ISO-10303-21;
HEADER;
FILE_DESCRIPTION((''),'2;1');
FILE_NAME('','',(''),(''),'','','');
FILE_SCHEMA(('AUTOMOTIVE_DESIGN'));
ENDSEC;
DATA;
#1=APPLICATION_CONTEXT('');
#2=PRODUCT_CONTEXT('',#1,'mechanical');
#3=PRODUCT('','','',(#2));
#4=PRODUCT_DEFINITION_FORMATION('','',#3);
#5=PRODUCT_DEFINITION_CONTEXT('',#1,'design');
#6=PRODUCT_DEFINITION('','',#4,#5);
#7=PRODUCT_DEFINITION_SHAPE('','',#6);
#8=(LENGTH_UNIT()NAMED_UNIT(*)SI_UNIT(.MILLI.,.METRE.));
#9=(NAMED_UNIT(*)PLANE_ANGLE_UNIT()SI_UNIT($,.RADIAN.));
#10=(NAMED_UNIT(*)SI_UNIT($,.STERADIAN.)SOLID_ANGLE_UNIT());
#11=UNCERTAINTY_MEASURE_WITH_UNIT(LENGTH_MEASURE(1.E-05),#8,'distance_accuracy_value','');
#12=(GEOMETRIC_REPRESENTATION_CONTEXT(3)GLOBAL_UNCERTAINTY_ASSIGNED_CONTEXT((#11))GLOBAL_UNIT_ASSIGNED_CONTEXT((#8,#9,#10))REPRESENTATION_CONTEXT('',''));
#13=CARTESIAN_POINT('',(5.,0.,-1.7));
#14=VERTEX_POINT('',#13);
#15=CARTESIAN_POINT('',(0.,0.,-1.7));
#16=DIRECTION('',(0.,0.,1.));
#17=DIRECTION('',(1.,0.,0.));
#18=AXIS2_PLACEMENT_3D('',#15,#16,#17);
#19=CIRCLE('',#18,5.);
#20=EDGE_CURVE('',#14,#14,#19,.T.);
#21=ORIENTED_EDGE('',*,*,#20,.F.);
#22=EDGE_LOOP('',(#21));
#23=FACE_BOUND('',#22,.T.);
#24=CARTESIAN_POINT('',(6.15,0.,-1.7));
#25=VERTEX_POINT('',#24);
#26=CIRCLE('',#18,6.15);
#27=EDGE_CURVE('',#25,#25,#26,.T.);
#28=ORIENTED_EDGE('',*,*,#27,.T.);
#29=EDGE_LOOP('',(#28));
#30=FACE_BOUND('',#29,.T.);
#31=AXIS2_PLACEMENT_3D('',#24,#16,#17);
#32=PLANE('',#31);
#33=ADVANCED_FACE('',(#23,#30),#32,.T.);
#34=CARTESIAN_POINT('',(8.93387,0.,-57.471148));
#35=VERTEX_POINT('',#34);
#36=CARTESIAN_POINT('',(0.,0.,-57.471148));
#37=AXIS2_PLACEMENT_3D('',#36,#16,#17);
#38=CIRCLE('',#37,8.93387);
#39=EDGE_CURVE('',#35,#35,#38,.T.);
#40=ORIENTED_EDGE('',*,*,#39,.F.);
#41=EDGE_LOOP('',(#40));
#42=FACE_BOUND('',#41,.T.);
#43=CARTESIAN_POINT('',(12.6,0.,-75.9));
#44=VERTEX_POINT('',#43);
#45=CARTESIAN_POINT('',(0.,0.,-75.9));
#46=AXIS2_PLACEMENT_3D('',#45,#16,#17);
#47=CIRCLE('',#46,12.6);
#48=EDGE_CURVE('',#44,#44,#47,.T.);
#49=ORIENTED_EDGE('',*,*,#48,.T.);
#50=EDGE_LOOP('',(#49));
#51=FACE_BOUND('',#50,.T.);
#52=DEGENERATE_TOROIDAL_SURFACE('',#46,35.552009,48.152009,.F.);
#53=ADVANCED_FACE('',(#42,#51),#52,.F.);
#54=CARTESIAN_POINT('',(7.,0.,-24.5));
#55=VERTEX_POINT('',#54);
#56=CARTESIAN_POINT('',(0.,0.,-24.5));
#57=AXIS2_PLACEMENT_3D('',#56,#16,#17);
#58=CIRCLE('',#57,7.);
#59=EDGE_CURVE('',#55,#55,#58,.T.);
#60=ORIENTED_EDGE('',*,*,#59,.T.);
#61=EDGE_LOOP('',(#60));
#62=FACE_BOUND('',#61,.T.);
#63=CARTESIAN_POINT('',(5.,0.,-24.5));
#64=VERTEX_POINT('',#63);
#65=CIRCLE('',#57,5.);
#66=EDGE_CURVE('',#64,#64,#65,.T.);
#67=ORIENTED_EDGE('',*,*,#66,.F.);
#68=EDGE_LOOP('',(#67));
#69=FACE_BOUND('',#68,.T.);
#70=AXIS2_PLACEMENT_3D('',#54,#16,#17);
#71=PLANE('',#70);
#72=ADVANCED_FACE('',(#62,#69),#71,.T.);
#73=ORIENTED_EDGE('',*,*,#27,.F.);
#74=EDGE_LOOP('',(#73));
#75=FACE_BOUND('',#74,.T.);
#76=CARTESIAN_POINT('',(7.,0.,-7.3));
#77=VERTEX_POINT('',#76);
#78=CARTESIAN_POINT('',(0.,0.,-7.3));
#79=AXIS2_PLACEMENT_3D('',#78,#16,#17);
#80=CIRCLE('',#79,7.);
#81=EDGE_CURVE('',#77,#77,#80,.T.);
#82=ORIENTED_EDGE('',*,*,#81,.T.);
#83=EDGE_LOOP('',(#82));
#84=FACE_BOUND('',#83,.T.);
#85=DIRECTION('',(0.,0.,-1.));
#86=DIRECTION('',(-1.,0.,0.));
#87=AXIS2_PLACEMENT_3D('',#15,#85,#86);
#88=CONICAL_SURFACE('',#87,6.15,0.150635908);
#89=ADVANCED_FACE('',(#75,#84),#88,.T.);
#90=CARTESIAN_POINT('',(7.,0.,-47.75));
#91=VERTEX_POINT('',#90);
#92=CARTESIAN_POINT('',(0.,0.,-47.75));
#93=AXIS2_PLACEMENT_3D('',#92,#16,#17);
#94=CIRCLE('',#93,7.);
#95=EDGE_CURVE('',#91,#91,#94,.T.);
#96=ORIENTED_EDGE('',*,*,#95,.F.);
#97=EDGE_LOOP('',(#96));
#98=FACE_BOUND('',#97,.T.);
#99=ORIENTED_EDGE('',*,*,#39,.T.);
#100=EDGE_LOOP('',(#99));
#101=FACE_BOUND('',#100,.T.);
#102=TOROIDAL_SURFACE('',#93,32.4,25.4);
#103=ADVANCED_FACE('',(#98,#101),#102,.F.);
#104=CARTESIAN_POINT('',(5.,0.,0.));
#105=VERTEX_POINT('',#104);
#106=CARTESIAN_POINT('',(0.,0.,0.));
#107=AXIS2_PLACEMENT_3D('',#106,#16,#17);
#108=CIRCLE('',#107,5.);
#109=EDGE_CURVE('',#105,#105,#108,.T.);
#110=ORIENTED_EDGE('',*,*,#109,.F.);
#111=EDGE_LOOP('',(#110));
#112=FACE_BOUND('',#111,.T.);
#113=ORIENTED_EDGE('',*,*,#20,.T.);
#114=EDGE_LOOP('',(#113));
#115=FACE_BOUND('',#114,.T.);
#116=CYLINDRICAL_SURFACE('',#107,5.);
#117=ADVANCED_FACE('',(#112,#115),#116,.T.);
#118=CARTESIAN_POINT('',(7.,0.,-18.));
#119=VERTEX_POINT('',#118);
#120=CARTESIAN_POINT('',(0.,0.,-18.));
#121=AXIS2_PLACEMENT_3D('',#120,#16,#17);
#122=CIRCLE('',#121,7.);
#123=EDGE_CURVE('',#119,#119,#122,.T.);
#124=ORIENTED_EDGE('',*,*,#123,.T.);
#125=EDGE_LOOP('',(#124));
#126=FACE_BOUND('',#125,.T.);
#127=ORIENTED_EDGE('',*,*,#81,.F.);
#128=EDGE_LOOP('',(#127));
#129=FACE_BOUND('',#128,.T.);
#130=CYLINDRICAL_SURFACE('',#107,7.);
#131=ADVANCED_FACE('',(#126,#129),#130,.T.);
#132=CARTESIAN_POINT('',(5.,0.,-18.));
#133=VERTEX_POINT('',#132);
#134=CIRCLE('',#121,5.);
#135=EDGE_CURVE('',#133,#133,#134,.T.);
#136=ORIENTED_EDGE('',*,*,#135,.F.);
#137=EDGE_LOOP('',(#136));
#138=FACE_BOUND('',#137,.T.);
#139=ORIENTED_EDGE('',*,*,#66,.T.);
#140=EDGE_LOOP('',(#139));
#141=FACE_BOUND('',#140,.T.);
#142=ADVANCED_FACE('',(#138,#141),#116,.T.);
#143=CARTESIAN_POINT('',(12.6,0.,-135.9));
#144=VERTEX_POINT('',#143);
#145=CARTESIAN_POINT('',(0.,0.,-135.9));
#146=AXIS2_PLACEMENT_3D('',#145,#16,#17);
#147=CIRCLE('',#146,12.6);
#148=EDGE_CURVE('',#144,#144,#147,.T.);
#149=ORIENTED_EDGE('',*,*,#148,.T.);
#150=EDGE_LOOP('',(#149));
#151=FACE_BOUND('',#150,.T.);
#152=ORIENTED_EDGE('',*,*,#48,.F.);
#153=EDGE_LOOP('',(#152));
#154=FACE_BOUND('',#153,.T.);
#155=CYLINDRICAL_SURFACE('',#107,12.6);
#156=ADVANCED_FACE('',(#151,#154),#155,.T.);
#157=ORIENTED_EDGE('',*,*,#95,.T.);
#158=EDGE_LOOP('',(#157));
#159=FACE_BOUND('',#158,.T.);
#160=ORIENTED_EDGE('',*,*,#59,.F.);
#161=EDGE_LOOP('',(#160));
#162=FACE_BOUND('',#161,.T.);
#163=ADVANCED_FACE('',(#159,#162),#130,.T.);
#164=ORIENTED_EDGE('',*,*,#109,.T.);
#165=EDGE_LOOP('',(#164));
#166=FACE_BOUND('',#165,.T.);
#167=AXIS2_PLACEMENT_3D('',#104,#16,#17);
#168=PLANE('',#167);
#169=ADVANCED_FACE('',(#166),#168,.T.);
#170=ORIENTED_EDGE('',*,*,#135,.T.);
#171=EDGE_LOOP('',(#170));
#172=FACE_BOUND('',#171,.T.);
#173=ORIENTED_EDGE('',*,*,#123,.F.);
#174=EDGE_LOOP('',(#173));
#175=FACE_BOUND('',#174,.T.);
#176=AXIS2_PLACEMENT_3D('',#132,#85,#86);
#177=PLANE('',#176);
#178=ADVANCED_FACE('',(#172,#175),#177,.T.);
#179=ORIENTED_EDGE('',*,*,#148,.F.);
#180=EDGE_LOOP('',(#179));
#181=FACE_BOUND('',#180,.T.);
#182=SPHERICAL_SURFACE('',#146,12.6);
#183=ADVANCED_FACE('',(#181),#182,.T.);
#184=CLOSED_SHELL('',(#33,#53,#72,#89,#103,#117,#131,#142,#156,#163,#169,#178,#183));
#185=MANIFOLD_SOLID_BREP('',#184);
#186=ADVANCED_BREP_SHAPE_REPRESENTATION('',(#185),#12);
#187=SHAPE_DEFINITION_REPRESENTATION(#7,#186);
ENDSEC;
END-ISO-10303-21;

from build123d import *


with BuildPart() as part:
    # Sketch1 → Revolve1 (revolve)
    with BuildSketch(Plane(origin=(0, 0, 0), x_dir=(1, 0, 0), z_dir=(0, 1, 0))):
        with BuildLine():
            Line((0, 0), (0, 148.5))
            ThreePointArc((0, 148.5), (8.909545443, 144.809545443), (12.6, 135.9))
            Line((12.6, 135.9), (12.6, 75.9))
            ThreePointArc((12.6, 75.9), (11.674574623, 66.505013574), (8.93386968, 57.471148483))
            ThreePointArc((8.93386968, 57.471148483), (7.488158337, 52.705819301), (7, 47.75))
            Line((7, 47.75), (7, 24.5))
            Line((7, 24.5), (5, 24.5))
            Line((5, 24.5), (5, 18))
            Line((5, 18), (7, 18))
            Line((7, 18), (7, 7.3))
            Line((7, 7.3), (6.15, 1.7))
            Line((6.15, 1.7), (5, 1.7))
            Line((5, 1.7), (5, 0))
            Line((5, 0), (0, 0))
        make_face()
    revolve(axis=Axis((0, 0, 0), (0, 0, -1)))


solid = part.part
